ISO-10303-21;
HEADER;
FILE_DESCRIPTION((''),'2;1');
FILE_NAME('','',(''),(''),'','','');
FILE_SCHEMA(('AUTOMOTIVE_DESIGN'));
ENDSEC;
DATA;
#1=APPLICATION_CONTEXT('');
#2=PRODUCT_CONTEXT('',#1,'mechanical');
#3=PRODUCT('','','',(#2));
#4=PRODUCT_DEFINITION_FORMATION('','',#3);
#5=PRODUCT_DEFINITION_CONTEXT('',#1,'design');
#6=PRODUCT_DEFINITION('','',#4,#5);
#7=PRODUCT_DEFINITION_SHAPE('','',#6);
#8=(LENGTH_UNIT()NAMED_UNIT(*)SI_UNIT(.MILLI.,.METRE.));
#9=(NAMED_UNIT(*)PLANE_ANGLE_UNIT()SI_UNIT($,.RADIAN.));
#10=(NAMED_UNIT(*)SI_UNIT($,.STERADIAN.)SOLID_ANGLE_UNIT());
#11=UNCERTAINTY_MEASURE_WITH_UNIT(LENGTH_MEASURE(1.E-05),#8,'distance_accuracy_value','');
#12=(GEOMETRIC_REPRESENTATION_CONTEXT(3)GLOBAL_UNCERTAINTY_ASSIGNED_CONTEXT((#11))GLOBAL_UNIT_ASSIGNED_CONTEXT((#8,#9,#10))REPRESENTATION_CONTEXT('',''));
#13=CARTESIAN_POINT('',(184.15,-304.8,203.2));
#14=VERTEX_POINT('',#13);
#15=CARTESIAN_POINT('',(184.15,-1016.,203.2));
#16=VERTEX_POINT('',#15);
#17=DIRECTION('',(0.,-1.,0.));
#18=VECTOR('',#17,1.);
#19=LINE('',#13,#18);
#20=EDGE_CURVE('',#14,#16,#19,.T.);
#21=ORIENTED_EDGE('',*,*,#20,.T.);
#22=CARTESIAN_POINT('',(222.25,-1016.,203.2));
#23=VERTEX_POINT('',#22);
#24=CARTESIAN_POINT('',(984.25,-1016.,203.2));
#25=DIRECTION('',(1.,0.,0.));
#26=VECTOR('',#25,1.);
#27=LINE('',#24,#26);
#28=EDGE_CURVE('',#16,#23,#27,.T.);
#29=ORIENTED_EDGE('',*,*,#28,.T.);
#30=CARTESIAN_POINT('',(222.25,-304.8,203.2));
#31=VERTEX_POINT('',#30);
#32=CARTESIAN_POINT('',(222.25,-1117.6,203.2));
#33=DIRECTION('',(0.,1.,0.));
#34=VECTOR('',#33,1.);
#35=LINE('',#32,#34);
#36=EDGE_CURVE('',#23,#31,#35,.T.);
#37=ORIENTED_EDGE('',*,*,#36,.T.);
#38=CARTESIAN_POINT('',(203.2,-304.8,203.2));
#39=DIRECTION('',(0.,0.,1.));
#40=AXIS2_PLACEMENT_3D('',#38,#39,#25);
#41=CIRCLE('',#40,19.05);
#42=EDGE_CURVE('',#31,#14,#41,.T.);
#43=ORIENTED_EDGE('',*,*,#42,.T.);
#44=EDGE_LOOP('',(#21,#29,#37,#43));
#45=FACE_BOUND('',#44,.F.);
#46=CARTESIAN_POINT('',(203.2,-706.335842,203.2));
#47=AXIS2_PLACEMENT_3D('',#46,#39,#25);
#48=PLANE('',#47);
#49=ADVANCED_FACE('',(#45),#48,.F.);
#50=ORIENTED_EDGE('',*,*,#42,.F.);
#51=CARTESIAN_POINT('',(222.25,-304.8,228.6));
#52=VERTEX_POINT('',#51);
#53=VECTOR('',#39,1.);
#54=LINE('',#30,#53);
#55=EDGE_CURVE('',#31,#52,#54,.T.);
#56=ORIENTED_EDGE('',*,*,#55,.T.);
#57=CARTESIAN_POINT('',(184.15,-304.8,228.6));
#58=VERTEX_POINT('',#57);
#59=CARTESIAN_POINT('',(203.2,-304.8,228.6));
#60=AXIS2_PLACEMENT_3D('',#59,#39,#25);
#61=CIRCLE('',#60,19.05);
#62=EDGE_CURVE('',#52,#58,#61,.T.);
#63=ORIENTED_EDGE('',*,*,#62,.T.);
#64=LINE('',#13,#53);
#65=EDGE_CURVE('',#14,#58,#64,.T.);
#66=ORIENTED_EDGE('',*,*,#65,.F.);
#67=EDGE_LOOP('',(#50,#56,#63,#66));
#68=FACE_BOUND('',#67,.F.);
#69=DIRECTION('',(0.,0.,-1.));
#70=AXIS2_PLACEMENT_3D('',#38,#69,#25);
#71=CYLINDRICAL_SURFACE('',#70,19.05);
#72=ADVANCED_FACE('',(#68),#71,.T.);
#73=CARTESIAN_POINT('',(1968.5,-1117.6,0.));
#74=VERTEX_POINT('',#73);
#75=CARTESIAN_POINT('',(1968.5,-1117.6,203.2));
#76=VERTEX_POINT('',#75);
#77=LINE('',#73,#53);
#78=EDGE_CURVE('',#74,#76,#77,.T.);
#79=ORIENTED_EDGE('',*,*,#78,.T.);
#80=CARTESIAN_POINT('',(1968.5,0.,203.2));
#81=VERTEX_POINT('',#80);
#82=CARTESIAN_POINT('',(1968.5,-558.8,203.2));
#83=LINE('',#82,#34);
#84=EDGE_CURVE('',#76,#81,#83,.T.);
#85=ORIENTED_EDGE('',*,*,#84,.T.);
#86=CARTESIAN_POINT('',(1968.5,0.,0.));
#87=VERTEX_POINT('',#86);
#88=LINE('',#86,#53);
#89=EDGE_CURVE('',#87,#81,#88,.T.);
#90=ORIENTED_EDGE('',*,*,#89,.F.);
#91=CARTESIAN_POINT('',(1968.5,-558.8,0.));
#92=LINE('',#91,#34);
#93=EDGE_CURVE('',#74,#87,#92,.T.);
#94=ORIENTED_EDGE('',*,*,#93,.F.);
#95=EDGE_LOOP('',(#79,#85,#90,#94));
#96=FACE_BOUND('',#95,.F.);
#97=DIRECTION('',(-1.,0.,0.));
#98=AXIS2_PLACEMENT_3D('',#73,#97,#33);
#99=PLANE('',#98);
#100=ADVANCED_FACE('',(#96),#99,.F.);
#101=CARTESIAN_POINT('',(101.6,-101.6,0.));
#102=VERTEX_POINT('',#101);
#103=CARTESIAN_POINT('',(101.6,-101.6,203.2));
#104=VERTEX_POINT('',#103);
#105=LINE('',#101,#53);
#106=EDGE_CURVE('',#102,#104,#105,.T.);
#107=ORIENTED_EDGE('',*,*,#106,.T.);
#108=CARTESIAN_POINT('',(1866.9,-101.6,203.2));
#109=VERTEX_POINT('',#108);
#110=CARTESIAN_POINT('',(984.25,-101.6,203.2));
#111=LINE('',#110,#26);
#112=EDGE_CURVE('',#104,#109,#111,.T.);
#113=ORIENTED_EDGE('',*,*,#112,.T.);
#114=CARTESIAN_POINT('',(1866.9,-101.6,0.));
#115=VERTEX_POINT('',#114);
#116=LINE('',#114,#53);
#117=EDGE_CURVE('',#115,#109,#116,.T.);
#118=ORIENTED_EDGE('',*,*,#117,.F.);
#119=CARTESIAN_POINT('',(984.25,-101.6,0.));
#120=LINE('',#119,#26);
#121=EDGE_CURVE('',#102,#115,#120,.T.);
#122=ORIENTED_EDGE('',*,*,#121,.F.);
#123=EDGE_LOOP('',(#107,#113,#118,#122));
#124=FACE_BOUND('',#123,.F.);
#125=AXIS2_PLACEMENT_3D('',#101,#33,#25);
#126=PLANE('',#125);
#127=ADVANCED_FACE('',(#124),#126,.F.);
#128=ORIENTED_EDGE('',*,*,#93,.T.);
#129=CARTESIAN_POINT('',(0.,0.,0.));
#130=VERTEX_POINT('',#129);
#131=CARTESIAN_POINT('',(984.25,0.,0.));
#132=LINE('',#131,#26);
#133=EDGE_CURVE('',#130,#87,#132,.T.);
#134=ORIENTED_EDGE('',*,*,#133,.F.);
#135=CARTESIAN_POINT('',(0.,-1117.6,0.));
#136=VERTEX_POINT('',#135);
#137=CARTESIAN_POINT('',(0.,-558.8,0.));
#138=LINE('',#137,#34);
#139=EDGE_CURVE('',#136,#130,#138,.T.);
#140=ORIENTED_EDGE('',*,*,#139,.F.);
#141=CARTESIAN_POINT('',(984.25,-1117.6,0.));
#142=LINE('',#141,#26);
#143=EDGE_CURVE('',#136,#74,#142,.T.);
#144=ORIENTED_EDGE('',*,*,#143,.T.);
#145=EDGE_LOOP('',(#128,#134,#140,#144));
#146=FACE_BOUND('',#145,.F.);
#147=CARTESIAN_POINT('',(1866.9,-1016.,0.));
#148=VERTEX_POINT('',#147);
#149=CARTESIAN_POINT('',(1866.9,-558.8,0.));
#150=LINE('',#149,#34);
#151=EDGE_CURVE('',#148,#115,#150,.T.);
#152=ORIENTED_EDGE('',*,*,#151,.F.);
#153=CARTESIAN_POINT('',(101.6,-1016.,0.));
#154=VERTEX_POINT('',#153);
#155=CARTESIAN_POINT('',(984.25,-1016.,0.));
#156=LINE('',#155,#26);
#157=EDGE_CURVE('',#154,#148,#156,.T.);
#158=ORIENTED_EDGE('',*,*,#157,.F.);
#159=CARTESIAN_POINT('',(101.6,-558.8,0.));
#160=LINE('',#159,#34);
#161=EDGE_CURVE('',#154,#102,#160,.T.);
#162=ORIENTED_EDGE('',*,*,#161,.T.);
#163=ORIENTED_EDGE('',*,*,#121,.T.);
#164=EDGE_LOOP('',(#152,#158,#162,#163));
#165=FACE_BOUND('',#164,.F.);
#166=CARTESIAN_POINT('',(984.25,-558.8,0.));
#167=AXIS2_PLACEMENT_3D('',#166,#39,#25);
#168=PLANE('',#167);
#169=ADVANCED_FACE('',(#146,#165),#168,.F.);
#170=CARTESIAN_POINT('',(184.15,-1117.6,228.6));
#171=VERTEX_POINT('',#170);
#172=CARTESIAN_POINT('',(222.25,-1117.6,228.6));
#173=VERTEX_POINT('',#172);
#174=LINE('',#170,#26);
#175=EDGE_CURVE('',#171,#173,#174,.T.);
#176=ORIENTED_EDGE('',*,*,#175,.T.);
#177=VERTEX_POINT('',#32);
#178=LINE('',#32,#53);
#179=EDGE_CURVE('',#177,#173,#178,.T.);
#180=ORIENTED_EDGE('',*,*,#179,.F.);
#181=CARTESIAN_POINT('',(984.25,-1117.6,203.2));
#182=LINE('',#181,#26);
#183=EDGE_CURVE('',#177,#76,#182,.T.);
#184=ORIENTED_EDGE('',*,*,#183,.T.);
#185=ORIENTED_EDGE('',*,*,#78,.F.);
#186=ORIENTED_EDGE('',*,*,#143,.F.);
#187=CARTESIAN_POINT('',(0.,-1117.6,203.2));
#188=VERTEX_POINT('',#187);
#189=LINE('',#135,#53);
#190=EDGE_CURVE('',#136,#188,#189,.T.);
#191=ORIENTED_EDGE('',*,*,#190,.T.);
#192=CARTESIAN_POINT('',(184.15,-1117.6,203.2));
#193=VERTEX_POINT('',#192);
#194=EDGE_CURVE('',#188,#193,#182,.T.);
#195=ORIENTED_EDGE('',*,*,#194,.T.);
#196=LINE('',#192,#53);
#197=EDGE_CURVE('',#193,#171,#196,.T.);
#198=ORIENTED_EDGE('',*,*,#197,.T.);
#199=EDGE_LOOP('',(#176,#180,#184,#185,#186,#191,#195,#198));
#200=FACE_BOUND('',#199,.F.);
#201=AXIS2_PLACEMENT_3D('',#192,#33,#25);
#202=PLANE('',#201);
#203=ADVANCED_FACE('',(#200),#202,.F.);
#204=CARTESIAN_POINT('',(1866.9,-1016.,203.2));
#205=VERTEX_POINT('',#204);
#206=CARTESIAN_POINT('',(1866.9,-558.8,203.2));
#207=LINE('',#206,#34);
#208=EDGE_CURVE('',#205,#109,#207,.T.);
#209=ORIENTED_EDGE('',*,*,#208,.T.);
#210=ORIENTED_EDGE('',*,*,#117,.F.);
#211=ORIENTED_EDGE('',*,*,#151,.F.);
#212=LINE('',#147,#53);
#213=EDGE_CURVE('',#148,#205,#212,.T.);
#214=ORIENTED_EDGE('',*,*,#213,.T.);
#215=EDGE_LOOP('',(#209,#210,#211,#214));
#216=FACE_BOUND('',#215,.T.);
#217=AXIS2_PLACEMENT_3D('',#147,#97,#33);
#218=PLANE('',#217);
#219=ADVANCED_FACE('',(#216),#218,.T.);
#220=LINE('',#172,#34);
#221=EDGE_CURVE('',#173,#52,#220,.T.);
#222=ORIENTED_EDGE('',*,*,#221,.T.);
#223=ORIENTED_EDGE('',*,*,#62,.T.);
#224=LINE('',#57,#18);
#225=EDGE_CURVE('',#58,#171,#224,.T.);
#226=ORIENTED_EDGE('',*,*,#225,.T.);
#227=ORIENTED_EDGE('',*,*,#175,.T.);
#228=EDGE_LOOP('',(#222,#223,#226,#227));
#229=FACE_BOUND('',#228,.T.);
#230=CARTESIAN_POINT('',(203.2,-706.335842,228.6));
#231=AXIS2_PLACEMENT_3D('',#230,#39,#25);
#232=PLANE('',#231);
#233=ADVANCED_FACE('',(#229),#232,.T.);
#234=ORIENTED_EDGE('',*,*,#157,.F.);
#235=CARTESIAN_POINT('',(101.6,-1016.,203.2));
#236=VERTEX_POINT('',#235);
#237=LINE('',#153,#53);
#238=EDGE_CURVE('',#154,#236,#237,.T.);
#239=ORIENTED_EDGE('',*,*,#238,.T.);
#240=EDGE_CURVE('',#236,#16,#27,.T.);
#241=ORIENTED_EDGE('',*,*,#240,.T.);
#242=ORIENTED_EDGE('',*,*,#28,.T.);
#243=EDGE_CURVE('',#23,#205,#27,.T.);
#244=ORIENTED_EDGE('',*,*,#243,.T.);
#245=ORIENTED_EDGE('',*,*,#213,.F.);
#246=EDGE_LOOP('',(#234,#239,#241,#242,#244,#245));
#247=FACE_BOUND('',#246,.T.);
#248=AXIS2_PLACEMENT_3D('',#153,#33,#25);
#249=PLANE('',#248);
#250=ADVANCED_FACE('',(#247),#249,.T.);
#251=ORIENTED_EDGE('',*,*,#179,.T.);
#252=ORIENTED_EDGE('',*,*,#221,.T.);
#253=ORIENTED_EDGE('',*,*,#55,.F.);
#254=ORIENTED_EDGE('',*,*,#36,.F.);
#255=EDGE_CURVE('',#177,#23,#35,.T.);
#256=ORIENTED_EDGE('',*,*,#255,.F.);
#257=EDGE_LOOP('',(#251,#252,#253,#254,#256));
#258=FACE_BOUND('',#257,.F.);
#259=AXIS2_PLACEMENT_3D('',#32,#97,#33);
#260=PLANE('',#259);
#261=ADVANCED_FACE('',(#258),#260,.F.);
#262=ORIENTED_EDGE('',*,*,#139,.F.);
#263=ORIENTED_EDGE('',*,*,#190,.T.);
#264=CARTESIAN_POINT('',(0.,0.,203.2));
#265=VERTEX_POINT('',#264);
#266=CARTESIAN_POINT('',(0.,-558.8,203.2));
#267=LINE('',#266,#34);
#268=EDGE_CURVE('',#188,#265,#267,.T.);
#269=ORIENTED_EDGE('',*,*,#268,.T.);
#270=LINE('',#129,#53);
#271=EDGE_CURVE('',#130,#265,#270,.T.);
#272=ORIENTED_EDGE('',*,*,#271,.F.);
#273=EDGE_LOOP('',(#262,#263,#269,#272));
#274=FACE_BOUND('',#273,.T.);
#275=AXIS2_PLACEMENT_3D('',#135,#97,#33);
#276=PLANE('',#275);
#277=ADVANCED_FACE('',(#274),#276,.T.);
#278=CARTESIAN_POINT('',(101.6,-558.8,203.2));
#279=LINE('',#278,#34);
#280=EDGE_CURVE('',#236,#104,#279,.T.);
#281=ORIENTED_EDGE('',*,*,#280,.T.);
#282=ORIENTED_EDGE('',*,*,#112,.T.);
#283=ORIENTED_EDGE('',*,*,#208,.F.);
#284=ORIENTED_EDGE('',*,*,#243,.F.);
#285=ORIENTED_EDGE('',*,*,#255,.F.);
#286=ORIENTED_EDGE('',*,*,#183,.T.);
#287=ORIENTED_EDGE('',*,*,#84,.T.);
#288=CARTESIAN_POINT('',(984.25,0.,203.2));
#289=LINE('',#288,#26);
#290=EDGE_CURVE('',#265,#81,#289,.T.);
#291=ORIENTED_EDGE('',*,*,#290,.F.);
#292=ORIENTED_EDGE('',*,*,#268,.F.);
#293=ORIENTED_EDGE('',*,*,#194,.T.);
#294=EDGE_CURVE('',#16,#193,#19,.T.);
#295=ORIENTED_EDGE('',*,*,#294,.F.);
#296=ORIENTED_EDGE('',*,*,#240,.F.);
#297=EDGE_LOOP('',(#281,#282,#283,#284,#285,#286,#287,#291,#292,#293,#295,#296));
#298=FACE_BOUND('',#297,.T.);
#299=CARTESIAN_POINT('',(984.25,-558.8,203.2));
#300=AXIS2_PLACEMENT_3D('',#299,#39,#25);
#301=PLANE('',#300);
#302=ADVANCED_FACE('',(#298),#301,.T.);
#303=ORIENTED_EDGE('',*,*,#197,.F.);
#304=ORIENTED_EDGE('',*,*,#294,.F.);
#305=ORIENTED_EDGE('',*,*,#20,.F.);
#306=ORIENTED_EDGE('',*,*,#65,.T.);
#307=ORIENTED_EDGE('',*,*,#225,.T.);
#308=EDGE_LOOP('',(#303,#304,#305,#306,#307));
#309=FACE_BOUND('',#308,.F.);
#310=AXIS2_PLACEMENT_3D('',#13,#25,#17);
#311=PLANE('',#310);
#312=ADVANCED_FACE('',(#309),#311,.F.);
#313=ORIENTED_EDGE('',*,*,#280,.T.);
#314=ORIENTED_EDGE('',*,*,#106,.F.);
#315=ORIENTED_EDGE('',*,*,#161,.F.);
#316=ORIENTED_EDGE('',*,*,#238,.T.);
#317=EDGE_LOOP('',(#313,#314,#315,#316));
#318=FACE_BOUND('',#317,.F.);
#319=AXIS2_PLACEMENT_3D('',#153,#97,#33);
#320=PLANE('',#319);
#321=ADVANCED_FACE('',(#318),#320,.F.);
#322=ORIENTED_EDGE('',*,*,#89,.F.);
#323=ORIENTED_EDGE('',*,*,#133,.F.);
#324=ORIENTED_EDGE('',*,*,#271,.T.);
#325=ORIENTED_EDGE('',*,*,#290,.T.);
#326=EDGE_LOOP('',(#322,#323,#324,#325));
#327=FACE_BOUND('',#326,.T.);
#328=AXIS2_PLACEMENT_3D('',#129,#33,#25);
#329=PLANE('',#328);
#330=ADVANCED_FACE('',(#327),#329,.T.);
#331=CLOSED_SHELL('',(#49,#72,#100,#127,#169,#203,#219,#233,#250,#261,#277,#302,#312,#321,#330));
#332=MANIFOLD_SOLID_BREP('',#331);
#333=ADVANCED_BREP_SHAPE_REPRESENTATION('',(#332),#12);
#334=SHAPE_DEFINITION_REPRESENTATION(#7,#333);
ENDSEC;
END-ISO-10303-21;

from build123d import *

# Parameters (mm, degrees)
F0_W     = 1968.5
F0_H     = 1117.6
F0_W_2   = 1765.3
F0_H_2   = 914.4
F1_DEPTH = 203.2
F3_DEPTH = 25.4


with BuildPart() as f1:
    # F0 (on Top) → F1 (new body)
    with BuildSketch(Plane.XY):
        with Locations((984.25, -558.8)):
            Rectangle(F0_W, F0_H)
        with Locations((984.25, -558.8)):
            Rectangle(F0_W_2, F0_H_2, mode=Mode.SUBTRACT)
    extrude(amount=F1_DEPTH)

    # F2 (on face) → F3 (join)
    with BuildSketch(Plane.XY.offset(203.2)):
        with BuildLine():
            ThreePointArc((222.25, -304.8), (203.2, -285.75), (184.15, -304.8))
            Line((184.15, -304.8), (184.15, -1117.6))
            Line((184.15, -1117.6), (222.25, -1117.6))
            Line((222.25, -1117.6), (222.25, -304.8))
        make_face()
    extrude(amount=F3_DEPTH)


solid = f1.part
